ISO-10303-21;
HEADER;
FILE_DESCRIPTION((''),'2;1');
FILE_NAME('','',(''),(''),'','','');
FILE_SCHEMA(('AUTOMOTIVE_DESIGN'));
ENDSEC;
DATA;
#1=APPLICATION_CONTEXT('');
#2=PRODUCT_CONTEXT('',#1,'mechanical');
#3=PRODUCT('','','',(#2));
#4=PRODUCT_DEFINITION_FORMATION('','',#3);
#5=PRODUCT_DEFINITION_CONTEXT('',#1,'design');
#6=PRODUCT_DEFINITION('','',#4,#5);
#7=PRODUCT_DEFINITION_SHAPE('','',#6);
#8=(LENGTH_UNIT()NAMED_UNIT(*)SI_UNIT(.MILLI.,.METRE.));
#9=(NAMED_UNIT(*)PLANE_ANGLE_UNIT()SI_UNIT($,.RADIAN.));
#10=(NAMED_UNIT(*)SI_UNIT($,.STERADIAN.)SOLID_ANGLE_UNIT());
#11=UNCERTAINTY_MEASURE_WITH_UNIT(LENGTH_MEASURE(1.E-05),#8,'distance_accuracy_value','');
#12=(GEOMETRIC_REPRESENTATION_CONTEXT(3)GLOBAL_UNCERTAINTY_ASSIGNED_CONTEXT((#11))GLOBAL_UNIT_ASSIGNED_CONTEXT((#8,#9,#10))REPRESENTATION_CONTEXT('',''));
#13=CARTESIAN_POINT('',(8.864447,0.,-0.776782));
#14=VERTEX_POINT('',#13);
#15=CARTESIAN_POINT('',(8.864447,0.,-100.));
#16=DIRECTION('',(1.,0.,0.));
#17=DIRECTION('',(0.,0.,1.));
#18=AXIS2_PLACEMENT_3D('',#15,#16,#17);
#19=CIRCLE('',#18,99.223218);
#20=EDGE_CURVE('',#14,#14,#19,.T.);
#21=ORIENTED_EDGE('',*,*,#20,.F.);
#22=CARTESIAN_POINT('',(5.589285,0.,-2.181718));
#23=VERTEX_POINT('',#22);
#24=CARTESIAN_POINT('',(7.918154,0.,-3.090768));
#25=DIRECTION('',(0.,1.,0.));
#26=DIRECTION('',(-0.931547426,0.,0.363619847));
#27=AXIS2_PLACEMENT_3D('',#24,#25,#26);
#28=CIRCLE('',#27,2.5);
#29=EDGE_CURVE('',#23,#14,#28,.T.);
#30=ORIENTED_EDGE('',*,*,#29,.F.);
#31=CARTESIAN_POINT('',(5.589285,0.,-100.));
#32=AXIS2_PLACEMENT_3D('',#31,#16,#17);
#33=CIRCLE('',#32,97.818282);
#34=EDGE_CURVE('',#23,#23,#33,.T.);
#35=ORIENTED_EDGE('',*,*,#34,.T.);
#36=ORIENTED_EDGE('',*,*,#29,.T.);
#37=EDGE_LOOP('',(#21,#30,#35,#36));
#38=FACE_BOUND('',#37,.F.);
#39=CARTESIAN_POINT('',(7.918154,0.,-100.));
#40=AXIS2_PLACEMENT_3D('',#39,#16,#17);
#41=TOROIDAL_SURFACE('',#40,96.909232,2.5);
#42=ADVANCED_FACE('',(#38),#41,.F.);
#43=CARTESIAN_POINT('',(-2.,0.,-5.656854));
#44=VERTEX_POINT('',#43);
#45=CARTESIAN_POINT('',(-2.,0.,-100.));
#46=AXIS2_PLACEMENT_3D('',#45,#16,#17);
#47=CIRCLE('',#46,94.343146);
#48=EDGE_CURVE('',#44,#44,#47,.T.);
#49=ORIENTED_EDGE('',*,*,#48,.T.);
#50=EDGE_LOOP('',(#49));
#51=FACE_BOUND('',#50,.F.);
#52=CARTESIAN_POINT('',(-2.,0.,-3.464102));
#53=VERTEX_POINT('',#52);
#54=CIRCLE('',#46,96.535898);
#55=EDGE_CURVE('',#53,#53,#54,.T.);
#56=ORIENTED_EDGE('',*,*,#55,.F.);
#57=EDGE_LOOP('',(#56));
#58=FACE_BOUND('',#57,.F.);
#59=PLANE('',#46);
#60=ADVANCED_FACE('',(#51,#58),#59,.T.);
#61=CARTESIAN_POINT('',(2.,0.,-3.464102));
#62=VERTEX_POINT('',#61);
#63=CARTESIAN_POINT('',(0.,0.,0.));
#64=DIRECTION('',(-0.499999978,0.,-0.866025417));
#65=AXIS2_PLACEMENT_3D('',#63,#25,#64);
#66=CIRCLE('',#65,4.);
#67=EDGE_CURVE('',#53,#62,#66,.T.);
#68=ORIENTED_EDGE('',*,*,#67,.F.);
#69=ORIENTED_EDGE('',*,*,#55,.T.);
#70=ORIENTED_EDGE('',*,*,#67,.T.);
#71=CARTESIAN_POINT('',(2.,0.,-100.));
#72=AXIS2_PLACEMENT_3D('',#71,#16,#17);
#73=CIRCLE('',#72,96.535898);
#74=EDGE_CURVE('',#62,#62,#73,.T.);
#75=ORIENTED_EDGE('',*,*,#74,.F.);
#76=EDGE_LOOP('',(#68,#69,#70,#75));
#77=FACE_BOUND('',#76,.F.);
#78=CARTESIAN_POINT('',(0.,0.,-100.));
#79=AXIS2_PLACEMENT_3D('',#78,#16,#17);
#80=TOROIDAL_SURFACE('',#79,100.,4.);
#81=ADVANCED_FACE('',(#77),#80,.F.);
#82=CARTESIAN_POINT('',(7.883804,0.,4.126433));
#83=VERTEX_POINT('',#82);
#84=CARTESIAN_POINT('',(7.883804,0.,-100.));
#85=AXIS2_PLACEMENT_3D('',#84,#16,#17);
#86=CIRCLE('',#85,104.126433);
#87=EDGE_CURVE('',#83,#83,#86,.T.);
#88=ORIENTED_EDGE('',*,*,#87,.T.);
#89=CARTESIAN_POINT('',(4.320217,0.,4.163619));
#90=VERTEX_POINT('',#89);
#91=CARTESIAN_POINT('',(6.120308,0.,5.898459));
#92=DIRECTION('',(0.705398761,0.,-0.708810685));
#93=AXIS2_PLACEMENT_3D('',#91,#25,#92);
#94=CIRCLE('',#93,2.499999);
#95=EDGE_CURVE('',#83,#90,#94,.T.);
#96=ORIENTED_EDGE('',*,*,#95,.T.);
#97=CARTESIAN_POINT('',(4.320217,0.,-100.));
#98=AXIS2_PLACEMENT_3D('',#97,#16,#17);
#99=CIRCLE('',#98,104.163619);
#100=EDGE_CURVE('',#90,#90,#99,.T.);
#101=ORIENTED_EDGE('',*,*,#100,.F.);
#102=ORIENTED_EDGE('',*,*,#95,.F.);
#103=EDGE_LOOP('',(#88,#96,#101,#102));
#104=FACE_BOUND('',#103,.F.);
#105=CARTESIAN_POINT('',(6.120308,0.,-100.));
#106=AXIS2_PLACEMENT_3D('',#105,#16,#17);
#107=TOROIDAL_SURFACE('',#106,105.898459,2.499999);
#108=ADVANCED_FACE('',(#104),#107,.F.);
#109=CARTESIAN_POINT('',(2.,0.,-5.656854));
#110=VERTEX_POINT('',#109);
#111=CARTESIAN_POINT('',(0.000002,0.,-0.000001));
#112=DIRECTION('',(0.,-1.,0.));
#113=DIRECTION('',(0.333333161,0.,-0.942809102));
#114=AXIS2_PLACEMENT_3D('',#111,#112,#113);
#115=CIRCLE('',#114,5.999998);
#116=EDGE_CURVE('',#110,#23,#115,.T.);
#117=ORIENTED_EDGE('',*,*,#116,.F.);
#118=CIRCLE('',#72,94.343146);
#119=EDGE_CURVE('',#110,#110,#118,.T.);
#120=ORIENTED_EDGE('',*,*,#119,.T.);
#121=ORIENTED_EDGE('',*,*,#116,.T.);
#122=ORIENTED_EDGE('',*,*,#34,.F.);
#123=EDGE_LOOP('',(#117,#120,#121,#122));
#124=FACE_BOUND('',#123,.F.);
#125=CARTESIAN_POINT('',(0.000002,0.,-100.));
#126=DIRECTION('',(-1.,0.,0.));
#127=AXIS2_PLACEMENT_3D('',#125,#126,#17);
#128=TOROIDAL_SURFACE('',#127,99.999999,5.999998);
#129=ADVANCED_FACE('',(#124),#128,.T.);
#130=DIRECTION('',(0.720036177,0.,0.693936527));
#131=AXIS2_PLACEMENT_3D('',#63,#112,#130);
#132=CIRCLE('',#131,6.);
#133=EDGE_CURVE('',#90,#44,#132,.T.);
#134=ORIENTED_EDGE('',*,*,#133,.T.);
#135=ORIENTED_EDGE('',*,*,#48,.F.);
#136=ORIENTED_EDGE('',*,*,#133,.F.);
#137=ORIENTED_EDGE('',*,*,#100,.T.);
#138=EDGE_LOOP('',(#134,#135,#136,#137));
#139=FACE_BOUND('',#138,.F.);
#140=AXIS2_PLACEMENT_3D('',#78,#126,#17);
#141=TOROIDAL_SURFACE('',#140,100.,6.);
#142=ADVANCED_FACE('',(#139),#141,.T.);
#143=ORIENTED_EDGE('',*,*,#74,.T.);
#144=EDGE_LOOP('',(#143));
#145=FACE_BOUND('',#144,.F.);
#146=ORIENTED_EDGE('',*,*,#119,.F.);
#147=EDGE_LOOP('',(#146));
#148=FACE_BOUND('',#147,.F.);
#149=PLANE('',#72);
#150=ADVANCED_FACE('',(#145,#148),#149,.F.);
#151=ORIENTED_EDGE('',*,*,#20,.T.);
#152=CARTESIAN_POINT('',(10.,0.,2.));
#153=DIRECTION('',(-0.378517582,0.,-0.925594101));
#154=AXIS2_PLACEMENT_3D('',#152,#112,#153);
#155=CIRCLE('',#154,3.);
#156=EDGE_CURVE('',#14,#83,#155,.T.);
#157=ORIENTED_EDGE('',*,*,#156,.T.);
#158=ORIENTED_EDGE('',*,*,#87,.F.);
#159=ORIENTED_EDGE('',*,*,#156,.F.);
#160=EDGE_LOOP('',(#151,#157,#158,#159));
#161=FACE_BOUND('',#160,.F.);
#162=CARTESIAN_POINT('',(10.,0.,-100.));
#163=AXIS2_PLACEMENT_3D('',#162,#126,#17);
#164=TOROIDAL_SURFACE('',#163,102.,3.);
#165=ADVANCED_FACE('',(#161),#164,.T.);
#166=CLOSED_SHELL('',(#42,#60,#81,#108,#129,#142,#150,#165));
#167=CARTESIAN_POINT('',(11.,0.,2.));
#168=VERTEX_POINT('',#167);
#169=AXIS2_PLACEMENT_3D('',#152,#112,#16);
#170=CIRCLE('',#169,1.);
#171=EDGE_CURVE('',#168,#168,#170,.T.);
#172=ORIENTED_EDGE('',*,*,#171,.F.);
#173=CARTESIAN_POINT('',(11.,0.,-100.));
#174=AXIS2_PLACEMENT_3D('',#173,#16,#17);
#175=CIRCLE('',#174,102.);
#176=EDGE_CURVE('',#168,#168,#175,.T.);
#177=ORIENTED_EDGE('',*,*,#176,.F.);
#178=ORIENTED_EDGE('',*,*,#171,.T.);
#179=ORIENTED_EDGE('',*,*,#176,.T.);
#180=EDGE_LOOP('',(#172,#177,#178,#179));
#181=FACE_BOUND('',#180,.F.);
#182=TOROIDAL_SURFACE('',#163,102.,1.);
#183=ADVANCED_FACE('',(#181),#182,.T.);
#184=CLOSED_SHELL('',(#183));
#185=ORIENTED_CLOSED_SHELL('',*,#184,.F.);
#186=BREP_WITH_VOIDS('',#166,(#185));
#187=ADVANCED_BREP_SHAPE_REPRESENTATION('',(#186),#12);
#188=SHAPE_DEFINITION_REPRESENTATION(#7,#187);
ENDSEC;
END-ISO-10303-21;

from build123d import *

# Parameters (mm, degrees)
F0_R = 1


with BuildPart() as f1:
    # F0 (on Front) → F1 (revolve)
    with BuildSketch(Plane.XZ):
        with BuildLine():
            ThreePointArc((-2, -3.464102), (0, 4), (2, -3.464102))
            Line((2, -3.464102), (2, -5.656854))
            ThreePointArc((2, -5.656854), (4.173542, -4.310632), (5.589285, -2.181718))
            ThreePointArc((5.589285, -2.181718), (6.932588, -0.793234), (8.864447, -0.776782))
            ThreePointArc((8.864447, -0.776782), (12.941742, 2.588348), (7.883804, 4.126433))
            ThreePointArc((7.883804, 4.126433), (6.094222, 3.398596), (4.320217, 4.163619))
            ThreePointArc((4.320217, 4.163619), (-5.045421, 3.24711), (-2, -5.656854))
            Line((-2, -5.656854), (-2, -3.464102))
        make_face()
        with Locations((10, 2)):
            Circle(F0_R, mode=Mode.SUBTRACT)
    revolve(axis=Axis((14.741977, 0, -100), (1, 0, 0)))


solid = f1.part
